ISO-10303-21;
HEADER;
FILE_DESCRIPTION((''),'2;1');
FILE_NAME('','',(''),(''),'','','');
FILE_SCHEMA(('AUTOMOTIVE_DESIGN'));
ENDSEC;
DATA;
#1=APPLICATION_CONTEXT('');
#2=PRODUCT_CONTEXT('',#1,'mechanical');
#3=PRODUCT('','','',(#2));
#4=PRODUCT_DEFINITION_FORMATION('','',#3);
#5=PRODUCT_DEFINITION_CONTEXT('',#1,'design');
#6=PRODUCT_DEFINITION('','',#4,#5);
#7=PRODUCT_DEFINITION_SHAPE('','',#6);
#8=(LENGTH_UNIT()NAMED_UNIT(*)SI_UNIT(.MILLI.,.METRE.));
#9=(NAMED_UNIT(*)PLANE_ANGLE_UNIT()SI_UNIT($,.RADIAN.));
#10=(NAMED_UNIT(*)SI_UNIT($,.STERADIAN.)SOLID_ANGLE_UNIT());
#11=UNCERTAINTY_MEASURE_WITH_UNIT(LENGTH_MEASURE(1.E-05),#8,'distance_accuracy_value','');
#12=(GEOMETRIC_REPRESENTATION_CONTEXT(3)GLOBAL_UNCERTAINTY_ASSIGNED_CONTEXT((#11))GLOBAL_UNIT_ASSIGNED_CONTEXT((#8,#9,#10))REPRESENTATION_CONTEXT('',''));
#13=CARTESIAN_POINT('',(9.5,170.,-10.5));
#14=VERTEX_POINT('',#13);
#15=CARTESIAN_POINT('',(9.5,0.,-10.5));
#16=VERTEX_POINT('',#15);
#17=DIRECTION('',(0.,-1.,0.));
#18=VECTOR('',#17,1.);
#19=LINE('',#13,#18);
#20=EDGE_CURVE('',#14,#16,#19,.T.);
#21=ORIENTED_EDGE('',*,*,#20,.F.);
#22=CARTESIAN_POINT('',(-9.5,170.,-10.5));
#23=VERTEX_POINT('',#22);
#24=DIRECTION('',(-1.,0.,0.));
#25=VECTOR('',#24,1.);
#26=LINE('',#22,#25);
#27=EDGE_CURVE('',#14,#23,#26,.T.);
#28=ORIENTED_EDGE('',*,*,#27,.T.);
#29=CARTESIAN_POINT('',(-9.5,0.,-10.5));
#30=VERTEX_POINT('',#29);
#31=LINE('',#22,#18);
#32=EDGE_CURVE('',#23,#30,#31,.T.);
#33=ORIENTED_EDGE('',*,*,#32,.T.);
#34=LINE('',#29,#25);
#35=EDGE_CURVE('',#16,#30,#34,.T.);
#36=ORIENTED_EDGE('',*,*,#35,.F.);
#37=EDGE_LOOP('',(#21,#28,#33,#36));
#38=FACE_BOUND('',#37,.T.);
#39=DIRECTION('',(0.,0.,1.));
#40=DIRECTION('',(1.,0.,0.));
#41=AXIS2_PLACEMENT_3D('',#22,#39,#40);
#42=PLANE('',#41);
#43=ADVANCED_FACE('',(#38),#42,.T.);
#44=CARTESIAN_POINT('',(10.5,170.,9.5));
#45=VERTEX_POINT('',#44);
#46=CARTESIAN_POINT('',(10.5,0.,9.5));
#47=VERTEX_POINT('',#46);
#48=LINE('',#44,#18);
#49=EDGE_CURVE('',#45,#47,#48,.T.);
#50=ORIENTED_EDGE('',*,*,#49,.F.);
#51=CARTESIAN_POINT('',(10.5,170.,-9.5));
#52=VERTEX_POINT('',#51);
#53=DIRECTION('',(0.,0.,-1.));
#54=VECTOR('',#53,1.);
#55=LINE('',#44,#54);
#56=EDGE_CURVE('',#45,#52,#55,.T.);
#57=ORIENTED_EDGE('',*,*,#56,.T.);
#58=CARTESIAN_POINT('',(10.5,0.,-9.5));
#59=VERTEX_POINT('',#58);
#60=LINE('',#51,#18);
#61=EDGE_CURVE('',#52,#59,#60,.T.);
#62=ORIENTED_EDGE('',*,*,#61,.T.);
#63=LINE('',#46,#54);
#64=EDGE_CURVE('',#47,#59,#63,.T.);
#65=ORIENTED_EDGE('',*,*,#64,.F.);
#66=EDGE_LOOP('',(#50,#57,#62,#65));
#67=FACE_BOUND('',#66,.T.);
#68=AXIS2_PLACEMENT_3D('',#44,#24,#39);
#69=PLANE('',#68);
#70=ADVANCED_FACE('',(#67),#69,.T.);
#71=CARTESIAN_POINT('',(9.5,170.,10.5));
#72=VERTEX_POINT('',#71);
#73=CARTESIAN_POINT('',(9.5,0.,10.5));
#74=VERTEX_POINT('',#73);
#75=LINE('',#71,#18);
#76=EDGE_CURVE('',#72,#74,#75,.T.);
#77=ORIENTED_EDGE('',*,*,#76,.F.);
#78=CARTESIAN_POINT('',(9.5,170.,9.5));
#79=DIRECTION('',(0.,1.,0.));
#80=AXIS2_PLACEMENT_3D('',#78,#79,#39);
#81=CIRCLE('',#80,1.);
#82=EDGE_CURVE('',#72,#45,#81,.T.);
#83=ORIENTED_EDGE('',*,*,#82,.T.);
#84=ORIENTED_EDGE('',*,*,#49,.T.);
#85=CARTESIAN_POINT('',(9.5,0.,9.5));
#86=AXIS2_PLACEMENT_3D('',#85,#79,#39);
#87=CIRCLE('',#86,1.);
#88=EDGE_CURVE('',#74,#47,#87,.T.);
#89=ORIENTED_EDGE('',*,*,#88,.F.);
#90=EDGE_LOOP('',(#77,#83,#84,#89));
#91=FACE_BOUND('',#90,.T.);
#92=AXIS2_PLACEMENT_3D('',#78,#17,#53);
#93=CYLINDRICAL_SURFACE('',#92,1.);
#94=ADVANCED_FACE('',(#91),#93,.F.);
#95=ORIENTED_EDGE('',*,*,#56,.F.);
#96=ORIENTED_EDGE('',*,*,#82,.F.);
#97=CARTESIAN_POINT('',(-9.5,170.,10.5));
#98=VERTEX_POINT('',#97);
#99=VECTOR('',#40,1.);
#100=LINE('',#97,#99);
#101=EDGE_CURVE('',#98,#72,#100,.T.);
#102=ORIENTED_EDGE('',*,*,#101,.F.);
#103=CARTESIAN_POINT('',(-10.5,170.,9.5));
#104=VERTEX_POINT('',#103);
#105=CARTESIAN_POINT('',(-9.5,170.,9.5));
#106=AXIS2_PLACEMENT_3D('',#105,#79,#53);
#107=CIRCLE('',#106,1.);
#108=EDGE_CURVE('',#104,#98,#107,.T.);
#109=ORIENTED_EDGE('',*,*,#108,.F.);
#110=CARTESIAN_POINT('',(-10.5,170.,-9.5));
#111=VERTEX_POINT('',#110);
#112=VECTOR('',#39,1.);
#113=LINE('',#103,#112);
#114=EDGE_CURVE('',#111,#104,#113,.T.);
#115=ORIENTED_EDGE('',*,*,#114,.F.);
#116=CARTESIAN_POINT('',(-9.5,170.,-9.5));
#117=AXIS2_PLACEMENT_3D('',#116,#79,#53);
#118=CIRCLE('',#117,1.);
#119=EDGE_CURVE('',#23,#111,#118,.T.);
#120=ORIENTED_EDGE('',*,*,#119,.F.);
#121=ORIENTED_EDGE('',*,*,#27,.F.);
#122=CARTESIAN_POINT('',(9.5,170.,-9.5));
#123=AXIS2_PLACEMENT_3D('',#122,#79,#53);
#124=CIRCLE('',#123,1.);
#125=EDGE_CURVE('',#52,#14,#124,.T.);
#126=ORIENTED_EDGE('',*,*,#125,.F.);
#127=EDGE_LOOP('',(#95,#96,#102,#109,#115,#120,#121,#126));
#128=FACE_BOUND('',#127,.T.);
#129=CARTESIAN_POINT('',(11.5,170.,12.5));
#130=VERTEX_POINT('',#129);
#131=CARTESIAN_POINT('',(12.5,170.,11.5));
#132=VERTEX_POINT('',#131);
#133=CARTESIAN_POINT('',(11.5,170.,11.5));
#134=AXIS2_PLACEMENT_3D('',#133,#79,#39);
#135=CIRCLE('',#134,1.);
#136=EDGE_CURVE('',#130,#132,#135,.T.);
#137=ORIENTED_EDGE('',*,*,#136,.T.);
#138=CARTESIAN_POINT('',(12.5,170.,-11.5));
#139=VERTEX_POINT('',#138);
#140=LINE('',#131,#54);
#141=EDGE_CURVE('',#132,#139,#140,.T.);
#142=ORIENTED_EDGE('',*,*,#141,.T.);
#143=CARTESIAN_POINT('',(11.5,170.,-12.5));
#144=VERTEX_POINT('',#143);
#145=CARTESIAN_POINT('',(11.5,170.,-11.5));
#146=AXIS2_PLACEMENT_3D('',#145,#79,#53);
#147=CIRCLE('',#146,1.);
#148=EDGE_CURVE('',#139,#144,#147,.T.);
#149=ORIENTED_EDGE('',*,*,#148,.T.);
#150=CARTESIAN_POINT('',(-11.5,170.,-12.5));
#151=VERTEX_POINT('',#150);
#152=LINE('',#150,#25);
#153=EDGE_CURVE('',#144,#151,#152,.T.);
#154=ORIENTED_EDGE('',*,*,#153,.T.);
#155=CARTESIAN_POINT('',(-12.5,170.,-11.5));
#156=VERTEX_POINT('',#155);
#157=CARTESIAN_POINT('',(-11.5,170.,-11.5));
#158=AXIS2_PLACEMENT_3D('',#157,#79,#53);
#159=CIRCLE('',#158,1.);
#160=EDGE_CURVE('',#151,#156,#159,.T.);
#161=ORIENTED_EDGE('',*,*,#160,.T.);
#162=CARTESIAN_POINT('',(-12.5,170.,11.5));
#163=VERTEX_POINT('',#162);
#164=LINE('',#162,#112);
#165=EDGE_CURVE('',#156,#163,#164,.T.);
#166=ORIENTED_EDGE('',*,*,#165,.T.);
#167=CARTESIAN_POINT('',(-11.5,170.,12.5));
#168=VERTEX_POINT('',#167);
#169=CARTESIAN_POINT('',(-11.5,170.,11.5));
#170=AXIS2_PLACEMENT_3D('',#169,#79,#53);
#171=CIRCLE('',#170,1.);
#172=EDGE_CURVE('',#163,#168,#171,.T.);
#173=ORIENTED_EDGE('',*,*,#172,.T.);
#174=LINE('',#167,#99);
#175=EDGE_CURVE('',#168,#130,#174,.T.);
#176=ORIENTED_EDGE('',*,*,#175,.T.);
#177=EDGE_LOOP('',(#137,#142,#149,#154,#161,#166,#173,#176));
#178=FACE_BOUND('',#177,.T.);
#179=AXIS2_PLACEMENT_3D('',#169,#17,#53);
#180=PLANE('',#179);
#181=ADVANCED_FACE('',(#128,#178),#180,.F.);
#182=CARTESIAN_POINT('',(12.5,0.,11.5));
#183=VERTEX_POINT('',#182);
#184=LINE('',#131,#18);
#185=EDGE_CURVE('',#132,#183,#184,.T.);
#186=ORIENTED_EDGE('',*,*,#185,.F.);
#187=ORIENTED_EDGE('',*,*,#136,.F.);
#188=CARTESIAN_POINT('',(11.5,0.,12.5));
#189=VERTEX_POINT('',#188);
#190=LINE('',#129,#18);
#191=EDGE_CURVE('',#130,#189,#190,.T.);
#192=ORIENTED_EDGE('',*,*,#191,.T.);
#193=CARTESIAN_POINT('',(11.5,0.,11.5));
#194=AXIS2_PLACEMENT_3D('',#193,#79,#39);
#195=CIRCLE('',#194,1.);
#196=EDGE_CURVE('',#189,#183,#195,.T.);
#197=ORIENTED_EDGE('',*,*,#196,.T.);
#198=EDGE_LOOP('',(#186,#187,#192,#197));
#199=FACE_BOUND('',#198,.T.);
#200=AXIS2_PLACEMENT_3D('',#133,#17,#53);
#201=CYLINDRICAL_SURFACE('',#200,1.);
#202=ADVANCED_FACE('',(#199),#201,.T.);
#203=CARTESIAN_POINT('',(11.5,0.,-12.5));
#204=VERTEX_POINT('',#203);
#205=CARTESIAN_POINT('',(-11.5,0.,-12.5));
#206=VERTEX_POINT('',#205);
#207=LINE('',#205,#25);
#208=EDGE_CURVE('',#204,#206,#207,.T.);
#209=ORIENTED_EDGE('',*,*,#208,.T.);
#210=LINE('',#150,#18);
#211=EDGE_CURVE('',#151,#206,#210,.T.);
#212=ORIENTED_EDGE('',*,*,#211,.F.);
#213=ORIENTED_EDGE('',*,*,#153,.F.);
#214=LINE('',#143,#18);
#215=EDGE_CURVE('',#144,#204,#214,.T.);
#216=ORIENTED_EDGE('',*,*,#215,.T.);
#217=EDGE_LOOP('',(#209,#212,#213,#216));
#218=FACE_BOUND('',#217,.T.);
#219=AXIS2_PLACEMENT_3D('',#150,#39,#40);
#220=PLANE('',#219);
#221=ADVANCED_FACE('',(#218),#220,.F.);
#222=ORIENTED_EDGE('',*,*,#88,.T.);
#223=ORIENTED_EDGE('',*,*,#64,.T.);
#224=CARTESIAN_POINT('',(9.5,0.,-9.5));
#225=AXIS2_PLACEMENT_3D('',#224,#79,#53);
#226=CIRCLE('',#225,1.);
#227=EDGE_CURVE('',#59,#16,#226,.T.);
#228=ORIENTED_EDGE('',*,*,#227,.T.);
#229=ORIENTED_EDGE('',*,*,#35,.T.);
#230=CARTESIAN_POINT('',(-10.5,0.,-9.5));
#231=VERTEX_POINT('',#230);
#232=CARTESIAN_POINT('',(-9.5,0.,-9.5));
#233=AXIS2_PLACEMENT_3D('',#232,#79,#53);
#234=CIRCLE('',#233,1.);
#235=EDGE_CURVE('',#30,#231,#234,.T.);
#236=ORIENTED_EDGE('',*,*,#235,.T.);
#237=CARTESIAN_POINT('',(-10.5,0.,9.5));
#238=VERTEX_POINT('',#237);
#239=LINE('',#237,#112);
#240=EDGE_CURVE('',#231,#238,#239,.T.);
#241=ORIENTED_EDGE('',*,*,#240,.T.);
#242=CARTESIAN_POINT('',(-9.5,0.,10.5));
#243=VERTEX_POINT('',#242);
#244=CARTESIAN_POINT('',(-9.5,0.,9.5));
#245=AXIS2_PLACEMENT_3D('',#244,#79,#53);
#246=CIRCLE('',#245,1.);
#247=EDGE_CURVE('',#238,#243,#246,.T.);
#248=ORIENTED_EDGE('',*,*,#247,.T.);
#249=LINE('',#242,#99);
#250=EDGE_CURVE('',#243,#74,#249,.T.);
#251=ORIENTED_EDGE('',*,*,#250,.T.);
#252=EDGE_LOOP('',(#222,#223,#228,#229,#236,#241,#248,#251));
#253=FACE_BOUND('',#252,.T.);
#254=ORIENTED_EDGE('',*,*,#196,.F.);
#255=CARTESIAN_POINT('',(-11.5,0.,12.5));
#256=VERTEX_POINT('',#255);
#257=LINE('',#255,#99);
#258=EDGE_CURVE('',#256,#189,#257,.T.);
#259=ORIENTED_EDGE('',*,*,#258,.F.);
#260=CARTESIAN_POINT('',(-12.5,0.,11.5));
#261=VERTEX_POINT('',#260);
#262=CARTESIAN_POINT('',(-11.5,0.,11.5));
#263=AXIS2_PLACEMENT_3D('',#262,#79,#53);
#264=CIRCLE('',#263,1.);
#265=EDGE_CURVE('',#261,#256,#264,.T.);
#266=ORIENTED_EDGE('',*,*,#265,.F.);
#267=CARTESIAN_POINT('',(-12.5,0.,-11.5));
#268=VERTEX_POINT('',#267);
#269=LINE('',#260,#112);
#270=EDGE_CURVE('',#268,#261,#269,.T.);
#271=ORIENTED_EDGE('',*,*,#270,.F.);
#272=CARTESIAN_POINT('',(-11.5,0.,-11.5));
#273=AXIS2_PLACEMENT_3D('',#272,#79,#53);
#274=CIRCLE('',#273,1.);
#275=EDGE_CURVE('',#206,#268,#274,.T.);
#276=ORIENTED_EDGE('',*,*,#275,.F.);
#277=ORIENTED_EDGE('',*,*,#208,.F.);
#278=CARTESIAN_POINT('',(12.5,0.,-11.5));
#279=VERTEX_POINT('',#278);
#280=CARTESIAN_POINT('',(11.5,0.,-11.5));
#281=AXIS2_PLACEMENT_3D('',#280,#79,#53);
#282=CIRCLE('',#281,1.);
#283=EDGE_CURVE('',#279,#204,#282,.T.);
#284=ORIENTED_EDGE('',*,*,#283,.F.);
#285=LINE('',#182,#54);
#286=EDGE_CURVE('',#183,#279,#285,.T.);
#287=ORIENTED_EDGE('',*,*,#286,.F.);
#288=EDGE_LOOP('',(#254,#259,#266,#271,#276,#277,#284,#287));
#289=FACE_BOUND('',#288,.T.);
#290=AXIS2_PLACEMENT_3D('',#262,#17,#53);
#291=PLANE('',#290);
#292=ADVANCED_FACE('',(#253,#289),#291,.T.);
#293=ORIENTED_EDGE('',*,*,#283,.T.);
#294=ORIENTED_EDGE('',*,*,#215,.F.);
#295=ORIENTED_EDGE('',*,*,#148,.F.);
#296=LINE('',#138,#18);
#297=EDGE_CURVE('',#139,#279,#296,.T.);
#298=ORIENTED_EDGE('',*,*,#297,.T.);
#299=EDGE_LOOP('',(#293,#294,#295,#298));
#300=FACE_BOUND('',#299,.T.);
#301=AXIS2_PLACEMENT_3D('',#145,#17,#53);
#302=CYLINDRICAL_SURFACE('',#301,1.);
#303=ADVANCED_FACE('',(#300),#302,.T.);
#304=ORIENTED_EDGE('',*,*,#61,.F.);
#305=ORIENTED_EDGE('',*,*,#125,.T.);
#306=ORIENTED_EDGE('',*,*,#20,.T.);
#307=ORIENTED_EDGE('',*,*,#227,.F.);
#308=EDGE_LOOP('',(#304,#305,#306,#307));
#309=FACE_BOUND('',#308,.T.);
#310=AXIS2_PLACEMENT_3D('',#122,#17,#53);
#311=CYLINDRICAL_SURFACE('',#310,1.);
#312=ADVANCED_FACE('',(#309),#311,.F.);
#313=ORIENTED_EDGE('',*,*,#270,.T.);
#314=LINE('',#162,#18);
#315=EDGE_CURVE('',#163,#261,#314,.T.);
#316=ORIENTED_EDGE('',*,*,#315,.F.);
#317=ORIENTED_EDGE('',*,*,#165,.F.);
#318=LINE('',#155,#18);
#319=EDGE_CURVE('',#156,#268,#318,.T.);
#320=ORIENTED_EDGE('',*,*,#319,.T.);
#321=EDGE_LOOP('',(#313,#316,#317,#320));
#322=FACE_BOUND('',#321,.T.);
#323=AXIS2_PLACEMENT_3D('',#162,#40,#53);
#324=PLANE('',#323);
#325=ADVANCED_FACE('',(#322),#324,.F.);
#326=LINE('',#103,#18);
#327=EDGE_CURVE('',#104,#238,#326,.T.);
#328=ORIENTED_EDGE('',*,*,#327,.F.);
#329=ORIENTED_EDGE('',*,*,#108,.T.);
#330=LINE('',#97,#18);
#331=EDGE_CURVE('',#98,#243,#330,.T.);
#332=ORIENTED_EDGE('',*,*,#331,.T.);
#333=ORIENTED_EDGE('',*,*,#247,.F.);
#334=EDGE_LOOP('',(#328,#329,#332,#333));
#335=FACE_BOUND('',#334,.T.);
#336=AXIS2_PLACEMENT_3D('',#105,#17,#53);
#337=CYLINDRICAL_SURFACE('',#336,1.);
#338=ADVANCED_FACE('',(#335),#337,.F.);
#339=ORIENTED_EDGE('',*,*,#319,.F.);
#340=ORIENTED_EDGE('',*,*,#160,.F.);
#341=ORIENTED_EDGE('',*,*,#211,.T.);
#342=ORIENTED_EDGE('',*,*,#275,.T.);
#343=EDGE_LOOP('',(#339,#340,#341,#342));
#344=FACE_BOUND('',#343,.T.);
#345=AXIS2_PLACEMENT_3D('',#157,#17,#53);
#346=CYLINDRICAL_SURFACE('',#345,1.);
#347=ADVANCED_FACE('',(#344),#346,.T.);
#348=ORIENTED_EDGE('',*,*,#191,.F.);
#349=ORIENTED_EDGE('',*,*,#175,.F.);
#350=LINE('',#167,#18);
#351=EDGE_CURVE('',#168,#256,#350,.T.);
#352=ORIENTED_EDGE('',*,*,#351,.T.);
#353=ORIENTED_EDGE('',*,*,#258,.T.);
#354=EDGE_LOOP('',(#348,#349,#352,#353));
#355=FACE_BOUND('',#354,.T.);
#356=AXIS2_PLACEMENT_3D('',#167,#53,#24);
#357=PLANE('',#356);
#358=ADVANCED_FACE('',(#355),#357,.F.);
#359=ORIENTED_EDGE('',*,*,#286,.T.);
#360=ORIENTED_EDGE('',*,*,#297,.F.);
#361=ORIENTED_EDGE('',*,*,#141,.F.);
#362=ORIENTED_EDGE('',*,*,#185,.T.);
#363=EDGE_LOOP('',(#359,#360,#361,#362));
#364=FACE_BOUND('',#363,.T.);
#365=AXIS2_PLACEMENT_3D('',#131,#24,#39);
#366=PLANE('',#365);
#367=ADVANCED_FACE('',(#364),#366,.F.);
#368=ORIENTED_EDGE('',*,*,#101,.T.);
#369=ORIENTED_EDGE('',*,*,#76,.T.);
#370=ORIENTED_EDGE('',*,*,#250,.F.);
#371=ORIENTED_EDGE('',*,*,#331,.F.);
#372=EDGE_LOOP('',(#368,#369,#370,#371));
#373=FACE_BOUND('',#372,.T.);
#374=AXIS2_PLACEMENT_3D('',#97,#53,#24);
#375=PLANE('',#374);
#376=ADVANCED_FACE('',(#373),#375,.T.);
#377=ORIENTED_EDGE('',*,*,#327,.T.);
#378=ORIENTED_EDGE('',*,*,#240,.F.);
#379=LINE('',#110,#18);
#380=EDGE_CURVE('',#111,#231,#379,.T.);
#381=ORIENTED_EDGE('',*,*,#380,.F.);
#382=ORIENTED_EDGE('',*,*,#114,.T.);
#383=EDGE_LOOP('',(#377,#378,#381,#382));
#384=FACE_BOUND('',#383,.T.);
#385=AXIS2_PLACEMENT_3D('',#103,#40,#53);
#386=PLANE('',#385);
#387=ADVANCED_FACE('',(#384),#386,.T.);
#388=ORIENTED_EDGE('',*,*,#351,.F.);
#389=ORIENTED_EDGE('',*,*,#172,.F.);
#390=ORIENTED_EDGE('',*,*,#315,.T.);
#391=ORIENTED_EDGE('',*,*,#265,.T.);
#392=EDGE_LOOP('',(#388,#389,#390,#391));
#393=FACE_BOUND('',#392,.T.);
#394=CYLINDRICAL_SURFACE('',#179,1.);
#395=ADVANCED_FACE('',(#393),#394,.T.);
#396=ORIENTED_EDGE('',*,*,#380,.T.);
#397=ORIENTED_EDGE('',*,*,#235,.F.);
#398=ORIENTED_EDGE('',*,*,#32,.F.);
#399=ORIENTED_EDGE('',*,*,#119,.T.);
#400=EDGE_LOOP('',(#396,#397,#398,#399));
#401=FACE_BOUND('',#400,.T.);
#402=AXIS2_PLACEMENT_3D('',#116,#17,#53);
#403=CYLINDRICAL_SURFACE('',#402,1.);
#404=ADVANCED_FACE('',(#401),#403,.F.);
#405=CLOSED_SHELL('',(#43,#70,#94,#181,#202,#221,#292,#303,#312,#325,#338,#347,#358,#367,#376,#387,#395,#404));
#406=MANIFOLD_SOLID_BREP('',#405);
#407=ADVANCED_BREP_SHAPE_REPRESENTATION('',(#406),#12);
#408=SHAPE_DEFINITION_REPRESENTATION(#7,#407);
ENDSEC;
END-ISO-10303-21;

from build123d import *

# Parameters (mm, degrees)
BOSS_EXTRUDE1_DEPTH = 170


with BuildPart() as part:
    # Sketch1 → Boss-Extrude1 (new body)
    with BuildSketch(Plane(origin=(0, 0, 0), x_dir=(1, 0, 0), z_dir=(0, 1, 0))):
        with BuildLine():
            Line((-11.5, -12.5), (11.5, -12.5))
            ThreePointArc((11.5, -12.5), (12.207106781, -12.207106781), (12.5, -11.5))
            Line((12.5, -11.5), (12.5, 11.5))
            ThreePointArc((12.5, 11.5), (12.207106781, 12.207106781), (11.5, 12.5))
            Line((11.5, 12.5), (-11.5, 12.5))
            ThreePointArc((-11.5, 12.5), (-12.207106781, 12.207106781), (-12.5, 11.5))
            Line((-12.5, 11.5), (-12.5, -11.5))
            ThreePointArc((-12.5, -11.5), (-12.207106781, -12.207106781), (-11.5, -12.5))
        make_face()
        with BuildLine():
            Line((-9.5, -10.5), (9.5, -10.5))
            ThreePointArc((9.5, -10.5), (10.207106781, -10.207106781), (10.5, -9.5))
            Line((10.5, -9.5), (10.5, 9.5))
            ThreePointArc((10.5, 9.5), (10.207106781, 10.207106781), (9.5, 10.5))
            Line((9.5, 10.5), (-9.5, 10.5))
            ThreePointArc((-9.5, 10.5), (-10.207106781, 10.207106781), (-10.5, 9.5))
            Line((-10.5, 9.5), (-10.5, -9.5))
            ThreePointArc((-10.5, -9.5), (-10.207106781, -10.207106781), (-9.5, -10.5))
        make_face(mode=Mode.SUBTRACT)
    extrude(amount=BOSS_EXTRUDE1_DEPTH)


solid = part.part
